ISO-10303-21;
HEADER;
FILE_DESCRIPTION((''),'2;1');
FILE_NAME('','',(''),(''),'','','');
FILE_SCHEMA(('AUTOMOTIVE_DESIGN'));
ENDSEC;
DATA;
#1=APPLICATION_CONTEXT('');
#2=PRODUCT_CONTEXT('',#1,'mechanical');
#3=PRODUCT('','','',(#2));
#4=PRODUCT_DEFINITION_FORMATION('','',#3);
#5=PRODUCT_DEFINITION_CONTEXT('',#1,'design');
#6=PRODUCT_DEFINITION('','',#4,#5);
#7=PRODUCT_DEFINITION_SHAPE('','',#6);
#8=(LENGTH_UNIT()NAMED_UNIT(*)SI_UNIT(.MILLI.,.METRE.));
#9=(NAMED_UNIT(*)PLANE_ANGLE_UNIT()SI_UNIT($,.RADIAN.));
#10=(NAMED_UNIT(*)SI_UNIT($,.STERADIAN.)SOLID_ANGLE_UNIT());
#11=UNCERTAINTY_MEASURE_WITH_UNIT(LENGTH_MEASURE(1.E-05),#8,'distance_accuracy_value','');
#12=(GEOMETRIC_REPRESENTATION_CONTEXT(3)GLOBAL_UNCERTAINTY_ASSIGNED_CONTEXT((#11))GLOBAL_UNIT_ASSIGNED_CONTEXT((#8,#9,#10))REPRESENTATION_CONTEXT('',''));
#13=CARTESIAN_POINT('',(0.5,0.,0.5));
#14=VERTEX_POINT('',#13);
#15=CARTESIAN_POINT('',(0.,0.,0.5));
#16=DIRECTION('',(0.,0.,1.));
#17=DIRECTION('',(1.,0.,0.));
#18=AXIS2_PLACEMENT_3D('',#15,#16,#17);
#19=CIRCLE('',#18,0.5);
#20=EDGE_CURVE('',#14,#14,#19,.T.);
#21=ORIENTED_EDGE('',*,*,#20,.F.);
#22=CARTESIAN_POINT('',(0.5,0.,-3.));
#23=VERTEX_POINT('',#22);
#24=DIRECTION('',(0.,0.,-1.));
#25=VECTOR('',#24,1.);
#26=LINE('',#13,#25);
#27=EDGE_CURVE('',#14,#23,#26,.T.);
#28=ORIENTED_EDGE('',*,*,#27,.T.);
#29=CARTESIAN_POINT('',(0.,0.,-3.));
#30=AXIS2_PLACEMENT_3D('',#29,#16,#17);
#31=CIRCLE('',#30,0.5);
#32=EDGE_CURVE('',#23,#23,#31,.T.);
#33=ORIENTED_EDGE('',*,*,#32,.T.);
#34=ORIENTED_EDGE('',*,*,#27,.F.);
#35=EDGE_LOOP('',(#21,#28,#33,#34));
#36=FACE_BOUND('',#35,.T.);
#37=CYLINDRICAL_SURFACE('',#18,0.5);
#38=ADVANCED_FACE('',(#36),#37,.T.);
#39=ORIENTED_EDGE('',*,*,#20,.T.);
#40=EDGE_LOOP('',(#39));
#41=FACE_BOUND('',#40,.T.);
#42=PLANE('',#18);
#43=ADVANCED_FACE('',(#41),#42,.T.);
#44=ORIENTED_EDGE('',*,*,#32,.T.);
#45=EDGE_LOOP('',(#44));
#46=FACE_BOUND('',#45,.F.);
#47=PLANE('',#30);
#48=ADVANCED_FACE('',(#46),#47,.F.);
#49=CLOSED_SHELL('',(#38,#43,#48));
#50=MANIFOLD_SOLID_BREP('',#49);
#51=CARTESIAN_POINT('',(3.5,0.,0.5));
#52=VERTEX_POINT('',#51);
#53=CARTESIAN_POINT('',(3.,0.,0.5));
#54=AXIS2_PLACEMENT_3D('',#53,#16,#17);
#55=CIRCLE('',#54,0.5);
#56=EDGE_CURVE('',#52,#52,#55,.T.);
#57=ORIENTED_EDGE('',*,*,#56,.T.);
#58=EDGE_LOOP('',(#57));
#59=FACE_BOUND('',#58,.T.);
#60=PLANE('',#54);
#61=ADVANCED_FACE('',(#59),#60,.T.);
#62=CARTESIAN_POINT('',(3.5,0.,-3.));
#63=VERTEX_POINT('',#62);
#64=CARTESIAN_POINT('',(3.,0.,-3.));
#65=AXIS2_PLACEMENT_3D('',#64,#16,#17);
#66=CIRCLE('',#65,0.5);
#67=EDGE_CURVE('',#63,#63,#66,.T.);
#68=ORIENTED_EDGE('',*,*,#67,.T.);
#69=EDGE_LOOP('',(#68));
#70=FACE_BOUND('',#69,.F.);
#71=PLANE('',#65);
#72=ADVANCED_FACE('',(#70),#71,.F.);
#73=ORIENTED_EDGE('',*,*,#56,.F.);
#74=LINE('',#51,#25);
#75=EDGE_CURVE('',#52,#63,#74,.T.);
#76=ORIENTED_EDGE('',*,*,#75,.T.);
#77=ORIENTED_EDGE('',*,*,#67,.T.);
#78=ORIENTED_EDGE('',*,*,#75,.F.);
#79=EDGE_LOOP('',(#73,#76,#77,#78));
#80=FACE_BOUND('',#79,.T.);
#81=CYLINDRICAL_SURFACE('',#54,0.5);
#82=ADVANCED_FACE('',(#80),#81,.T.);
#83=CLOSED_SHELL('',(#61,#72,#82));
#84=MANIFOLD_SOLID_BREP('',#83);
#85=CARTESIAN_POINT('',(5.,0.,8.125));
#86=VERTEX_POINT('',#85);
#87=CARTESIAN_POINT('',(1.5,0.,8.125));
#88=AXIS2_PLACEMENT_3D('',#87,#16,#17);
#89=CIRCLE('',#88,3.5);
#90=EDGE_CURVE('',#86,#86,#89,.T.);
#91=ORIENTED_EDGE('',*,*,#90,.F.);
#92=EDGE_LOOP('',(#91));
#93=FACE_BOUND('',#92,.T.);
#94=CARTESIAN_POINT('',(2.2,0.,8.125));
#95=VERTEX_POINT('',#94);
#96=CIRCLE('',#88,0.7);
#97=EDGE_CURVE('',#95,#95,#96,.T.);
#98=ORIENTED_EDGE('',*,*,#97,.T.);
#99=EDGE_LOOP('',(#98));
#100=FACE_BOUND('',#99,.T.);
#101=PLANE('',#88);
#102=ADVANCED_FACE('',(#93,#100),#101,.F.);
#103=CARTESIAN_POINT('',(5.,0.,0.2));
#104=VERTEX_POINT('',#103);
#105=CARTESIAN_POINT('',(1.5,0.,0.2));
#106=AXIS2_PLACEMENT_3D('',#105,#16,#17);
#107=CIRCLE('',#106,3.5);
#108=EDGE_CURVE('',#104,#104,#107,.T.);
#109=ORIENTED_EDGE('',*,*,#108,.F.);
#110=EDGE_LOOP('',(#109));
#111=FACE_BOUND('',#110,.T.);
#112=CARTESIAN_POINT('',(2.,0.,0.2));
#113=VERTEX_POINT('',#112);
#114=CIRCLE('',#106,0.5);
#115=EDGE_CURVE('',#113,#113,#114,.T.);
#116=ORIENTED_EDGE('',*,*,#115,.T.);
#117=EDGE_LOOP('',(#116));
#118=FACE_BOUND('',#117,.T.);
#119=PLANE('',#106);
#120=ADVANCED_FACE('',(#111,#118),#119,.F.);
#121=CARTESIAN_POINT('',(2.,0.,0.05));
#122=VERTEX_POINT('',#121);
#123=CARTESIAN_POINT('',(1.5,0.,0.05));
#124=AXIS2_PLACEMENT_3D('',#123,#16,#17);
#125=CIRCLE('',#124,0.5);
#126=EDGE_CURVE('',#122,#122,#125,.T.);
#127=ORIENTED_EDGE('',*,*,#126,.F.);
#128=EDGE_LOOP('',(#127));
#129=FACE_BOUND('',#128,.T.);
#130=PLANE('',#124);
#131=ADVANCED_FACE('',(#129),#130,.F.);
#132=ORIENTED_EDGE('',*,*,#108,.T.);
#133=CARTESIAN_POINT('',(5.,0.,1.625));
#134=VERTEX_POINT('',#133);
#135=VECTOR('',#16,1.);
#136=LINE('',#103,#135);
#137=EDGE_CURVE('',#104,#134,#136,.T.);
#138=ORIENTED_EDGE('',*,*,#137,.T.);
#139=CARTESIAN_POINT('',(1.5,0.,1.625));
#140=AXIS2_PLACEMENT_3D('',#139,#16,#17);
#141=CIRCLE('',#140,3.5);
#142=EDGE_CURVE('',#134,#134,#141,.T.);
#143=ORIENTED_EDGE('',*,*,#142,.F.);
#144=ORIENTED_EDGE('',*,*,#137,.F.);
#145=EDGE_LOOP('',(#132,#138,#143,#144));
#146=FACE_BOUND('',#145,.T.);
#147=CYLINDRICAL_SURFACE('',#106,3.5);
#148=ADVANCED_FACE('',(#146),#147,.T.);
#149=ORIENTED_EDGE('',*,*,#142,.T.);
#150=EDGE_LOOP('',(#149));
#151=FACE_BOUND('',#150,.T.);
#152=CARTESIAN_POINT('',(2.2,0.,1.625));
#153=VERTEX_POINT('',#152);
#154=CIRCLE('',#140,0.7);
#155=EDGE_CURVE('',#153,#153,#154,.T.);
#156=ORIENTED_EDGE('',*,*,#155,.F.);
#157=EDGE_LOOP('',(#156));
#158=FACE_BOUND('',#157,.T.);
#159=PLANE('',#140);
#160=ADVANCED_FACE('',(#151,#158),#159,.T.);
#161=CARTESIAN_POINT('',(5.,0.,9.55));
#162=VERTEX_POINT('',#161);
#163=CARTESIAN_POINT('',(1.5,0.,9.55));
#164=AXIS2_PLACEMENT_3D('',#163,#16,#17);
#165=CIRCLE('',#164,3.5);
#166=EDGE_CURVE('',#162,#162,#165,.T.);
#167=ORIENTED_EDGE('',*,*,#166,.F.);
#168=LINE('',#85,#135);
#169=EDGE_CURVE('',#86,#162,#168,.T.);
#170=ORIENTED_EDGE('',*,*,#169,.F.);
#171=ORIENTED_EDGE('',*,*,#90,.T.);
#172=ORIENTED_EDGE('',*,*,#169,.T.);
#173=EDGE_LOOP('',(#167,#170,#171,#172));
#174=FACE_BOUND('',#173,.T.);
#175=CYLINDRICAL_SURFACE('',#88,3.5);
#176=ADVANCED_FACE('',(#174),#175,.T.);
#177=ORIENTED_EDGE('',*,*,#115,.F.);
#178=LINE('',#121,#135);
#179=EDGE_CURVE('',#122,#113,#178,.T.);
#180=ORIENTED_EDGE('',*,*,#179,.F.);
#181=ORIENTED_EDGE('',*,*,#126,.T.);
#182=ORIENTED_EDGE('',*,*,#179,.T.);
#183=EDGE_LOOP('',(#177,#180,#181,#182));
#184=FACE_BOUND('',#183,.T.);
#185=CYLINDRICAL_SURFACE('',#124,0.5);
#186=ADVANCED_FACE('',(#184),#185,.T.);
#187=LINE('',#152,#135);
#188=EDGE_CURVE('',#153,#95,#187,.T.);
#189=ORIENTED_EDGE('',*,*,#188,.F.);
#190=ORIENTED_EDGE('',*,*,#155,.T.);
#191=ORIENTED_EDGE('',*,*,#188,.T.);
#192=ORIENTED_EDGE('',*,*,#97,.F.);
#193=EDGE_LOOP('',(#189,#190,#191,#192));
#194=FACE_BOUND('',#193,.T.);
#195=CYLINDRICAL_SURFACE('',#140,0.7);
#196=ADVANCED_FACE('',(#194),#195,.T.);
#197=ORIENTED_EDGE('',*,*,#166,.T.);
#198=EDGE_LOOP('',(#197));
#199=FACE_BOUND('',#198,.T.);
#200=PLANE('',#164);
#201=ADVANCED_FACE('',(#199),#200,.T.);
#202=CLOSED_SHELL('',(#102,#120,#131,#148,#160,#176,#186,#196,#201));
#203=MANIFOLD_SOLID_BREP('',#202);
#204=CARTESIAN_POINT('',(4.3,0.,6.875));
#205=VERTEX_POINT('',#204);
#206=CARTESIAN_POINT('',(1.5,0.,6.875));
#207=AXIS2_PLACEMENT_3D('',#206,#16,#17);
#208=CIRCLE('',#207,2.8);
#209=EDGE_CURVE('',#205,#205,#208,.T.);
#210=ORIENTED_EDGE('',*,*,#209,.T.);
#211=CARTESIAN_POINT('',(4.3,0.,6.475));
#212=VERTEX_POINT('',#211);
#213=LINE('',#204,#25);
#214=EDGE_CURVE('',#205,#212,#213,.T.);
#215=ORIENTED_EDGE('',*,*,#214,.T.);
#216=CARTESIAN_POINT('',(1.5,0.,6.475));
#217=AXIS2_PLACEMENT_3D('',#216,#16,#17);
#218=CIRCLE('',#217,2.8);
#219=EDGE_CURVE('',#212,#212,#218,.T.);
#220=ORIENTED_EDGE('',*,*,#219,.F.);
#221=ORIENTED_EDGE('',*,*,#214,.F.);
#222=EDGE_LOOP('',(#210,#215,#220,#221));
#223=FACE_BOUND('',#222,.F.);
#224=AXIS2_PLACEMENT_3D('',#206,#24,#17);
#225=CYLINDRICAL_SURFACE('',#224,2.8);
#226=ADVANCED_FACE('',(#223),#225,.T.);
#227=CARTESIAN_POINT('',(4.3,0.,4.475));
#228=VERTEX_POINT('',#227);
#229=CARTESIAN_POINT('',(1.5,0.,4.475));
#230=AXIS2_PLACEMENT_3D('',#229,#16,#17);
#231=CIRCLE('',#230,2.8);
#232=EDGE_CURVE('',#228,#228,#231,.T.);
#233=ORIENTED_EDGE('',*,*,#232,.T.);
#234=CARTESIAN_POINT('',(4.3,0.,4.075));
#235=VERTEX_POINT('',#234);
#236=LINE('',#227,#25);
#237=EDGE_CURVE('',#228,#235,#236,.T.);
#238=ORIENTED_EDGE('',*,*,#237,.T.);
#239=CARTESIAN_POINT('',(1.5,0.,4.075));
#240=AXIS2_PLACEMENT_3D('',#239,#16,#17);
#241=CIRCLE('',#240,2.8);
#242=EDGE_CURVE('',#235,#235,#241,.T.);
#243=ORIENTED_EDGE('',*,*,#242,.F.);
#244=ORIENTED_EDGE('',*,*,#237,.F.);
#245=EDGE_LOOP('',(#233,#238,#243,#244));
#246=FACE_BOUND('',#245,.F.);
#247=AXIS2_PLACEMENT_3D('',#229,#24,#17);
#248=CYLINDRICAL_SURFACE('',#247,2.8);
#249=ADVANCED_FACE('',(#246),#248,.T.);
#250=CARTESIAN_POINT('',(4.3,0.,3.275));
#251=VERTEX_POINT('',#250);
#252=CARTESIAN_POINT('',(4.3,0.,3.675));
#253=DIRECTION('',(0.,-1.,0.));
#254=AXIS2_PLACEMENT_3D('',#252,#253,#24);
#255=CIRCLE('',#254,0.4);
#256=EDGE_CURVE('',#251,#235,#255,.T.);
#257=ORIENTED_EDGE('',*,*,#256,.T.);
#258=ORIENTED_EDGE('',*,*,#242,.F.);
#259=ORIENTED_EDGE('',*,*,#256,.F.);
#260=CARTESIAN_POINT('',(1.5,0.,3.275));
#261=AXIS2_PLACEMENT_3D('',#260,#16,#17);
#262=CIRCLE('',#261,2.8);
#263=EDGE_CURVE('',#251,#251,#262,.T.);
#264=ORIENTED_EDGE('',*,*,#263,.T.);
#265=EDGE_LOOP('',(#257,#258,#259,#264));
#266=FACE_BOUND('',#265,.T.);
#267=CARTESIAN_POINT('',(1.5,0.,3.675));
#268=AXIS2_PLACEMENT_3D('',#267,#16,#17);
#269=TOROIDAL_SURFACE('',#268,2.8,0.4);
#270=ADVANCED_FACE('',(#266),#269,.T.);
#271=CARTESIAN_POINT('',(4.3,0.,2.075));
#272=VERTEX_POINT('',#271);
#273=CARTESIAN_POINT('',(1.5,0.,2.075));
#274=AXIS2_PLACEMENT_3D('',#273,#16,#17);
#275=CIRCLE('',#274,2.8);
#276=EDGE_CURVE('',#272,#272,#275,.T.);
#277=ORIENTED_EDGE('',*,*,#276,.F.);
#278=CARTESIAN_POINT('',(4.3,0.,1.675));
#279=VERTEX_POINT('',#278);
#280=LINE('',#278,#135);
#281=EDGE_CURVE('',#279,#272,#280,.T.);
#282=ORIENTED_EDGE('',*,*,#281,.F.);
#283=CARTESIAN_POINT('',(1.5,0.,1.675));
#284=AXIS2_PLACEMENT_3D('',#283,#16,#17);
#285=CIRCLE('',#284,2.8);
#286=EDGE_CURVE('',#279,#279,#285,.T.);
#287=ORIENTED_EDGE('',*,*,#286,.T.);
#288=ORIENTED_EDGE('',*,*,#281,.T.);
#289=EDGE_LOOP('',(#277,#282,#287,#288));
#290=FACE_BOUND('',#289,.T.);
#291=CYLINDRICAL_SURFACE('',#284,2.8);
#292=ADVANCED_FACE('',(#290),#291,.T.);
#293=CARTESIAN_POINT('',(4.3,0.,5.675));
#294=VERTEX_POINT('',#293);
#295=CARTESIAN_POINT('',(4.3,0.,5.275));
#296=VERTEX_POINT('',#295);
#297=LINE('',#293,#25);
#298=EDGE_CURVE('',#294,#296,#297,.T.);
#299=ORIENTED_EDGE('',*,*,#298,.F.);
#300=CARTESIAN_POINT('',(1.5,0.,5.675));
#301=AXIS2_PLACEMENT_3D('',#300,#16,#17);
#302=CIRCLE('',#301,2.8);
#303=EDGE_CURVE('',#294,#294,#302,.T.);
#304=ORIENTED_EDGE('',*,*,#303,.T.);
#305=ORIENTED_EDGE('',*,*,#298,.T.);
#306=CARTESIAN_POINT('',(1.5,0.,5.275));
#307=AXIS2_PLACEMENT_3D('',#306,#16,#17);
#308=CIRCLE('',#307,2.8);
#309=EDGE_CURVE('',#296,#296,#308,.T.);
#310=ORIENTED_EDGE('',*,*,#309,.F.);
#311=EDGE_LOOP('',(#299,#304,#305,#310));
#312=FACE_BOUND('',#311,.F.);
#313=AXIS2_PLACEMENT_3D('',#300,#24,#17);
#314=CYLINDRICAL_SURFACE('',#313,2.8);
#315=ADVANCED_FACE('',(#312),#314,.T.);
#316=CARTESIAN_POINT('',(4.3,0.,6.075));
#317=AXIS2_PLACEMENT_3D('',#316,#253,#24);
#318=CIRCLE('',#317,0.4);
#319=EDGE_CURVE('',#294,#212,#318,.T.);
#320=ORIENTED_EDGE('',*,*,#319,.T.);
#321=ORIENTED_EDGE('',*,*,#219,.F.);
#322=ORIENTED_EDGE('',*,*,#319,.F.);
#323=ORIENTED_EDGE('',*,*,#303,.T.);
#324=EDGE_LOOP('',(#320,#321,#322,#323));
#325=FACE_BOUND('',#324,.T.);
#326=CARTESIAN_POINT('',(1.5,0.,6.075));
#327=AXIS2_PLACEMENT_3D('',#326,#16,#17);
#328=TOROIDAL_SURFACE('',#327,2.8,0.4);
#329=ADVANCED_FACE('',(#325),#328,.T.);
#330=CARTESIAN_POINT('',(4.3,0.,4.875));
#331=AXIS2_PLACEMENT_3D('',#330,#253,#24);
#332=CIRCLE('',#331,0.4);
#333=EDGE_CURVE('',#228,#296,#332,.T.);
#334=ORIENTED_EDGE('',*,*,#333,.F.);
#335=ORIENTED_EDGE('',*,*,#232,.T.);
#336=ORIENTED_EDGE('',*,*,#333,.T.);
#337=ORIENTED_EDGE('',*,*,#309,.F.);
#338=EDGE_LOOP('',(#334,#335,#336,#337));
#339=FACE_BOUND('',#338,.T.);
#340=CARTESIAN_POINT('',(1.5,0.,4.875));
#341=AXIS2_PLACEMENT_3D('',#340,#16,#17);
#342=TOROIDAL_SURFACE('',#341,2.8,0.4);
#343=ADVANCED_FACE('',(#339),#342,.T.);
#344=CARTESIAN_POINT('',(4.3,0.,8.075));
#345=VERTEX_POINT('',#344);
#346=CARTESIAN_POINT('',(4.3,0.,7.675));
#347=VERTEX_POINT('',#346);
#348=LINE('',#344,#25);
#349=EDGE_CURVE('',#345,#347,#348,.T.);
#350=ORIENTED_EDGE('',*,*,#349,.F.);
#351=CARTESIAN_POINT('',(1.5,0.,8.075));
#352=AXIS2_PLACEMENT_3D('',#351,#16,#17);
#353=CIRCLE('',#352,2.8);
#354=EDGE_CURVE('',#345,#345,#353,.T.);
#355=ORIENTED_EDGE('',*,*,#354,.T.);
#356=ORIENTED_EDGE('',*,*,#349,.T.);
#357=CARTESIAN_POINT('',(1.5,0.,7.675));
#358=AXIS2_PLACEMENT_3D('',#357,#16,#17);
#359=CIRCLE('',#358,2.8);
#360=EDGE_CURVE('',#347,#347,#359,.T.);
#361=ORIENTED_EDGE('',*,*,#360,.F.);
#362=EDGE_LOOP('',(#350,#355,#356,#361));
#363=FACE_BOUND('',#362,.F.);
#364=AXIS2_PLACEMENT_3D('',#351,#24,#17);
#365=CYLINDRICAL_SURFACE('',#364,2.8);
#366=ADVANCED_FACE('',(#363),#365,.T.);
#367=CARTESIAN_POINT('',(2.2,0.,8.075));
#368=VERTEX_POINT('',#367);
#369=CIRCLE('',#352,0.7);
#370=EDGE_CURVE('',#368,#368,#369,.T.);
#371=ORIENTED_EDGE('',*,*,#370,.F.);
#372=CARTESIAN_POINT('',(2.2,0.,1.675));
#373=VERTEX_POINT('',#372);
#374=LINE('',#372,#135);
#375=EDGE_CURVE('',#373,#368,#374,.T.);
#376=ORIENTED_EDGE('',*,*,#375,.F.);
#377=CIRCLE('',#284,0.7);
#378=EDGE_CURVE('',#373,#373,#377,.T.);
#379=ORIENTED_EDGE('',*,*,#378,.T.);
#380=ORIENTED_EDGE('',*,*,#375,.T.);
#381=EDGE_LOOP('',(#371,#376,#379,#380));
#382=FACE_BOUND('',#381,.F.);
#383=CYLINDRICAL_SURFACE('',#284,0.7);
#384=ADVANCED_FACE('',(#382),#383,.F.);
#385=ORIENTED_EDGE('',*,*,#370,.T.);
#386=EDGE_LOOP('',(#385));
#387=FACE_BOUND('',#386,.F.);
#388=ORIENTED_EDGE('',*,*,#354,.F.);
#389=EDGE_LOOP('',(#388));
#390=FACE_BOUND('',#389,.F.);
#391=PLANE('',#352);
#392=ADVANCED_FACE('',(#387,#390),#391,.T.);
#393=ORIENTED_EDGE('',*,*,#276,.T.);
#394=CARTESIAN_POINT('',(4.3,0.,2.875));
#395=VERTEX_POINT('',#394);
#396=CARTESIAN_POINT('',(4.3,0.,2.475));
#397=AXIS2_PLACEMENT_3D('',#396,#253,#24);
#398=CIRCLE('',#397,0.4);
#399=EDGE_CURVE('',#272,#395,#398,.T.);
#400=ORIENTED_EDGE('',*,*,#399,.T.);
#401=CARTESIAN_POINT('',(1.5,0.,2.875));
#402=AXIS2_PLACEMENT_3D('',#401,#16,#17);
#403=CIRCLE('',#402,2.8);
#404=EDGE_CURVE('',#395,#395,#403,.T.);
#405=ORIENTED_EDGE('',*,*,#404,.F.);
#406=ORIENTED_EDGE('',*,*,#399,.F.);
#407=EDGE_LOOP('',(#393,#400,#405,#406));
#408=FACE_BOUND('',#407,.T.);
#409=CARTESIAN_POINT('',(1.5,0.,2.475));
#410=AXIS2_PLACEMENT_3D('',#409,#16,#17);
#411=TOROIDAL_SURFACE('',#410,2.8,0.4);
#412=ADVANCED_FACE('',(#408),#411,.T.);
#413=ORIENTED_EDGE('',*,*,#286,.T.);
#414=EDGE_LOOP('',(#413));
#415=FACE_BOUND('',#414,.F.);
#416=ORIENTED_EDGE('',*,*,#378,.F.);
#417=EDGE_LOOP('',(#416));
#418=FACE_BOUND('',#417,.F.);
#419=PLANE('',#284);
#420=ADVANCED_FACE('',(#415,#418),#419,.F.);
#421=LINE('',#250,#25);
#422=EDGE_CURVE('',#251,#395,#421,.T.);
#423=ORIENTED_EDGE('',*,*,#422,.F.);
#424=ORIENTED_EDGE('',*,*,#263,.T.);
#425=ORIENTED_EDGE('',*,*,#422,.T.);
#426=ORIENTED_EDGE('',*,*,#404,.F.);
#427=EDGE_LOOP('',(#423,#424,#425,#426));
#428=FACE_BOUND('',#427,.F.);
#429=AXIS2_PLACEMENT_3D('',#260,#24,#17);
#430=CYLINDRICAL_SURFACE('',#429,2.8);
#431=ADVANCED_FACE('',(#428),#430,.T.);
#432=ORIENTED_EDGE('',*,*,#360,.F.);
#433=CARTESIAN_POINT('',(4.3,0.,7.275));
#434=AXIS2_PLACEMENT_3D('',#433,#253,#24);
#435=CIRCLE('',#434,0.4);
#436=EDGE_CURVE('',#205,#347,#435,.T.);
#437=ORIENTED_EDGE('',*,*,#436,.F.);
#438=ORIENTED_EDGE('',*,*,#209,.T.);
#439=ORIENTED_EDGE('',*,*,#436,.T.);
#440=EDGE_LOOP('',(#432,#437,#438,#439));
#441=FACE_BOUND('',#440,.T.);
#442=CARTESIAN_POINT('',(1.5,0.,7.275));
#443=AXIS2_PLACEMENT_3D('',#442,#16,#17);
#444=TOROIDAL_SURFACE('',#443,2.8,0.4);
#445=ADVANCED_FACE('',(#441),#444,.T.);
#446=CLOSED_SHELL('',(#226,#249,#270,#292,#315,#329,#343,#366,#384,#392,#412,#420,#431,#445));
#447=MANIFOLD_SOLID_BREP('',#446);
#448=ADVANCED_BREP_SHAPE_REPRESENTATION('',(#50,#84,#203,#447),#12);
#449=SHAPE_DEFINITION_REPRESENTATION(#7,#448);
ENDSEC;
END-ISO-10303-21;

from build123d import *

# Parameters (mm, degrees)
SKETCH001_R  = 0.5
PAD001_DEPTH = 3.5


with BuildPart() as pad001:
    # Sketch001 → Pad001 (new body)
    with BuildSketch(Plane.XY.offset(0.5)):
        Circle(SKETCH001_R)
        with Locations((3, 0)):
            Circle(SKETCH001_R)
    extrude(amount=-PAD001_DEPTH)


with BuildPart() as revolution:
    # Sketch → Revolution (revolve)
    with BuildSketch(Plane(origin=(1.5, 0, 0), x_dir=(1, 0, 0), z_dir=(0, -1, 0))):
        Polygon((0, 0.05), (0.5, 0.05), (0.5, 0.2), (3.5, 0.2), (3.5, 1.625), (0.7, 1.625), (0.7, 8.125), (3.5, 8.125), (3.5, 9.55), (0, 9.55), align=None)
    revolve(axis=Axis((1.5, 0, 0), (0, 0, 1)))


with BuildPart() as revolution001:
    # Sketch002 → Revolution001 (revolve)
    with BuildSketch(Plane(origin=(1.5, 0, 0), x_dir=(1, 0, 0), z_dir=(0, -1, 0))):
        with BuildLine():
            Line((2.8, 1.675), (0.7, 1.675))
            Line((0.7, 1.675), (0.7, 8.075))
            Line((0.7, 8.075), (2.8, 8.075))
            Line((2.8, 8.075), (2.8, 7.675))
            ThreePointArc((2.8, 6.875), (3.2, 7.275), (2.8, 7.675))
            Line((2.8, 6.875), (2.8, 6.475))
            ThreePointArc((2.8, 5.675), (3.2, 6.075), (2.8, 6.475))
            Line((2.8, 5.675), (2.8, 5.275))
            ThreePointArc((2.8, 4.475), (3.2, 4.875), (2.8, 5.275))
            Line((2.8, 4.475), (2.8, 4.075))
            ThreePointArc((2.8, 3.275), (3.2, 3.675), (2.8, 4.075))
            Line((2.8, 3.275), (2.8, 2.875))
            ThreePointArc((2.8, 2.075), (3.2, 2.475), (2.8, 2.875))
            Line((2.8, 1.675), (2.8, 2.075))
        make_face()
    revolve(axis=Axis((1.5, 0, 0), (0, 0, 1)))


solid = Compound([pad001.part, revolution.part, revolution001.part])
